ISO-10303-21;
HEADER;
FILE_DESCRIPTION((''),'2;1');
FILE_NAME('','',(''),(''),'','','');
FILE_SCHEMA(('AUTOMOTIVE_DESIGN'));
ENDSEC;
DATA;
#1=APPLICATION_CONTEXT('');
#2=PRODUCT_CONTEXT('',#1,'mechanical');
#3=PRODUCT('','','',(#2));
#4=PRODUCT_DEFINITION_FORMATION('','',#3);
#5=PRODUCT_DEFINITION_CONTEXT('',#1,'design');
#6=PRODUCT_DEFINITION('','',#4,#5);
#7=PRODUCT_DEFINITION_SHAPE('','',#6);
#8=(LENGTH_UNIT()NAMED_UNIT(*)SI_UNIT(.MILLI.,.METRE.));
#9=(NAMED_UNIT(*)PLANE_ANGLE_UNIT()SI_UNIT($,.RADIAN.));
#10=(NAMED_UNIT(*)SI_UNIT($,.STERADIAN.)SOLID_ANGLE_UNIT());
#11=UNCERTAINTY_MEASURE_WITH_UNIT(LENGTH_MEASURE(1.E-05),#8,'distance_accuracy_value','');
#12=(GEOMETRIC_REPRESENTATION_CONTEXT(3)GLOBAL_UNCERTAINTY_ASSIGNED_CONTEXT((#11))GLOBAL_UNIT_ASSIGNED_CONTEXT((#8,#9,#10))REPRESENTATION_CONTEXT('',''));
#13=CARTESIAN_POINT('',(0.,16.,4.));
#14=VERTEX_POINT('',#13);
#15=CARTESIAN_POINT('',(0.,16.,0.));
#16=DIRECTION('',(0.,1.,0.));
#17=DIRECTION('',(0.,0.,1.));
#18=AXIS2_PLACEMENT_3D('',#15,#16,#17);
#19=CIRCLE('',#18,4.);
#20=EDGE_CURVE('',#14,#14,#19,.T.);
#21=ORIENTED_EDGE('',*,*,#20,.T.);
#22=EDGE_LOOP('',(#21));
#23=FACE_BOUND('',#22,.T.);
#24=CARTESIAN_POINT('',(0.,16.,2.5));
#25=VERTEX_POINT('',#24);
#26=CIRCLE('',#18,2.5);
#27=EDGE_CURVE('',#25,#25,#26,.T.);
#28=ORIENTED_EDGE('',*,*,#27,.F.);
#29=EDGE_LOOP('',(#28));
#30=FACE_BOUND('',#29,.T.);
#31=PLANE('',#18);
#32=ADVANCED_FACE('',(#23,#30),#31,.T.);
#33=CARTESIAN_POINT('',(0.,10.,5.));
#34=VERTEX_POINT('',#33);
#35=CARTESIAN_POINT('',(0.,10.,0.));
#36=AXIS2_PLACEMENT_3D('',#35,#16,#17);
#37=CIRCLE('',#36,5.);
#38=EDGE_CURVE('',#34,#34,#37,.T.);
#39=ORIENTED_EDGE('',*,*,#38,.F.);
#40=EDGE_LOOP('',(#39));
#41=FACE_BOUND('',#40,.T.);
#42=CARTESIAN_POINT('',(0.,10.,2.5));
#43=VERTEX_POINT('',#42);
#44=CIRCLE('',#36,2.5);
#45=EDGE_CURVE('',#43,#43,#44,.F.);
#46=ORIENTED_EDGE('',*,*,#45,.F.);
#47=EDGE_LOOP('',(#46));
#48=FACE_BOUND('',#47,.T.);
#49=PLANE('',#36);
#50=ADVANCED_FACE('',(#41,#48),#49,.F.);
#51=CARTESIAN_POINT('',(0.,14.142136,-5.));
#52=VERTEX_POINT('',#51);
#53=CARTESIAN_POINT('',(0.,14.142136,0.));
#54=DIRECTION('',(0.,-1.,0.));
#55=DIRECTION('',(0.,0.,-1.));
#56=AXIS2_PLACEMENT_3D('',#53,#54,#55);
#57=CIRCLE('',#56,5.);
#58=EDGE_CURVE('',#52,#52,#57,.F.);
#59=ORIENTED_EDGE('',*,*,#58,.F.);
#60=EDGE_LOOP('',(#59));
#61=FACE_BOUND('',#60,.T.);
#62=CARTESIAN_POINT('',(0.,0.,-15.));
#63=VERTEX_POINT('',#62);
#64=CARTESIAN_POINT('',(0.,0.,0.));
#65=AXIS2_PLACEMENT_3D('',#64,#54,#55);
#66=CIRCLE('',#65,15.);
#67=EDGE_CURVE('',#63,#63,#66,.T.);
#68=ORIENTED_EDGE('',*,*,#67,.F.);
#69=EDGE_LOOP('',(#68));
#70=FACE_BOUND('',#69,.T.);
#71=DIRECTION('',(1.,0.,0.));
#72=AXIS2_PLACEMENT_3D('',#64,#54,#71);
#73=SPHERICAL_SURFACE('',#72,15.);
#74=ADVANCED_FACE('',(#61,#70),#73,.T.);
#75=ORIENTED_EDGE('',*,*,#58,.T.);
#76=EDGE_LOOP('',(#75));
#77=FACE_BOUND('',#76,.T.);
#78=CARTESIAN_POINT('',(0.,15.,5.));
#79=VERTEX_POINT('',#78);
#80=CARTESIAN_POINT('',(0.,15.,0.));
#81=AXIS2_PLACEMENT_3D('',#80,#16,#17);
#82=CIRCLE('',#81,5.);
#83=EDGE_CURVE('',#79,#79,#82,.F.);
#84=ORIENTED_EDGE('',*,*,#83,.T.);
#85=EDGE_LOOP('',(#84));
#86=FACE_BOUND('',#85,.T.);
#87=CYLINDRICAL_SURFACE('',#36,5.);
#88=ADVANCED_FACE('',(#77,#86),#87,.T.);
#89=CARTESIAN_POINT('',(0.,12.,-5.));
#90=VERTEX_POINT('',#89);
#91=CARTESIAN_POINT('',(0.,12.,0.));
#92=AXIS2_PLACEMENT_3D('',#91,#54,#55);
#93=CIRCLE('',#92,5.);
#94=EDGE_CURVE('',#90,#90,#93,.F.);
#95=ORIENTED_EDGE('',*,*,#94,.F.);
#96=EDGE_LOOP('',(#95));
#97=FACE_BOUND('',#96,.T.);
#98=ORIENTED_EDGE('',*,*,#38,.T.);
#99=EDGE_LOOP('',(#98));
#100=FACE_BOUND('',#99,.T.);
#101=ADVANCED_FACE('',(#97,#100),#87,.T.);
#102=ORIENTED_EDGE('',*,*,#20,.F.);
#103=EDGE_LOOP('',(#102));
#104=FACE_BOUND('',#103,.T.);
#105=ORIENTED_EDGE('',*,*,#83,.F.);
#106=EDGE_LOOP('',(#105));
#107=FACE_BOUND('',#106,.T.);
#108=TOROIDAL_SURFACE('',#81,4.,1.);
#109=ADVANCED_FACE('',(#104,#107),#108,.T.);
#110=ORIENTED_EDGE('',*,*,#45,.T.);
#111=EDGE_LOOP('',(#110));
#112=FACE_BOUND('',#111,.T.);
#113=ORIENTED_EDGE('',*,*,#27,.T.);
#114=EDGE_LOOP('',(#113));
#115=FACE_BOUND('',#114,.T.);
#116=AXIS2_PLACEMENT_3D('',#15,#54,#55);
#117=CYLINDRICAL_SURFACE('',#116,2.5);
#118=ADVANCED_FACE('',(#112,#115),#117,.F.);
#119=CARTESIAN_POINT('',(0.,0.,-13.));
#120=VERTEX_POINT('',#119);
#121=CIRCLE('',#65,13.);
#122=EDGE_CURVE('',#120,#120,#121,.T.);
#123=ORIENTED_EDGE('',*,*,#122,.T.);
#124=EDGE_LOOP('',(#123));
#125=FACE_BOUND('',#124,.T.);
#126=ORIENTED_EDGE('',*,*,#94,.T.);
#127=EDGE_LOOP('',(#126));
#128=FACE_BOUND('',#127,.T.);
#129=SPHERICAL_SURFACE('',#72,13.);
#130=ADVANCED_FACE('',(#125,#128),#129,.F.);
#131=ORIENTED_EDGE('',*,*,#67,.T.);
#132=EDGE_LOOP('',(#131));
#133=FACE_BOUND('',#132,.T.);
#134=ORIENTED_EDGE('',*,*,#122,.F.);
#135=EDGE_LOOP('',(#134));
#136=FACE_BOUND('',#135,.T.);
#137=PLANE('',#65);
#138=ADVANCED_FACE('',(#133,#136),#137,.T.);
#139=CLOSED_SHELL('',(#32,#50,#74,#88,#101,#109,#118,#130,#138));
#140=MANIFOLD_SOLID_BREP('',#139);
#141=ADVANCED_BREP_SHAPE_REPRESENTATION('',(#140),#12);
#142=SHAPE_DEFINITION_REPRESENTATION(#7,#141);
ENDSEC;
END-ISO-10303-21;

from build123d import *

# Parameters (mm, degrees)
SHELL1_T                 = -2
BOSS_EXTRUDE6_DEPTH      = 1
BOSS_EXTRUDE6_DEPTH_BACK = 5
SKETCH4_R                = 5
SKETCH2_R                = 2.5
CUT_EXTRUDE3_DEPTH       = 27.570660511
FILLET1_R                = 1


with BuildPart() as part:
    # Sketch1 → Revolve1 (revolve)
    with BuildSketch(Plane.XY):
        with BuildLine():
            Line((0, 0), (15, 0))
            ThreePointArc((15, 0), (10.606601718, 10.606601718), (0, 15))
            Line((0, 15), (0, 0))
        make_face()
    revolve(axis=Axis((0, 0, 0), (0, 1, 0)))

    # Shell1
    shell1_openings = [part.faces().sort_by_distance(p)[0] for p in [
        (0, 0, 0),
    ]]
    offset(amount=SHELL1_T, openings=shell1_openings, kind=Kind.INTERSECTION)

    # Sketch4 → Boss-Extrude6 (add, two sides: drawn at the far end of the back side and taken through both)
    with BuildSketch(Plane(origin=(0, 15, 0), x_dir=(1, 0, 0), z_dir=(0, 1, 0)).offset(-BOSS_EXTRUDE6_DEPTH_BACK)):
        with Locations(Location((0, 0, 0), (0, 0, 270))):
            Circle(SKETCH4_R)
    extrude(amount=BOSS_EXTRUDE6_DEPTH + BOSS_EXTRUDE6_DEPTH_BACK)

    # Sketch2 → Cut-Extrude3 (cut, through all)
    with BuildSketch(Plane(origin=(0, 0, 0), x_dir=(1, 0, 0), z_dir=(0, 1, 0))):
        with Locations(Location((0, 0, 0), (0, 0, 270))):
            Circle(SKETCH2_R)
    extrude(amount=CUT_EXTRUDE3_DEPTH, mode=Mode.SUBTRACT)

    # Fillet1
    fillet1_edges = [part.edges().sort_by_distance(p)[0] for p in [
        (0, 16, -5),
    ]]
    fillet(fillet1_edges, radius=FILLET1_R)


solid = part.part
